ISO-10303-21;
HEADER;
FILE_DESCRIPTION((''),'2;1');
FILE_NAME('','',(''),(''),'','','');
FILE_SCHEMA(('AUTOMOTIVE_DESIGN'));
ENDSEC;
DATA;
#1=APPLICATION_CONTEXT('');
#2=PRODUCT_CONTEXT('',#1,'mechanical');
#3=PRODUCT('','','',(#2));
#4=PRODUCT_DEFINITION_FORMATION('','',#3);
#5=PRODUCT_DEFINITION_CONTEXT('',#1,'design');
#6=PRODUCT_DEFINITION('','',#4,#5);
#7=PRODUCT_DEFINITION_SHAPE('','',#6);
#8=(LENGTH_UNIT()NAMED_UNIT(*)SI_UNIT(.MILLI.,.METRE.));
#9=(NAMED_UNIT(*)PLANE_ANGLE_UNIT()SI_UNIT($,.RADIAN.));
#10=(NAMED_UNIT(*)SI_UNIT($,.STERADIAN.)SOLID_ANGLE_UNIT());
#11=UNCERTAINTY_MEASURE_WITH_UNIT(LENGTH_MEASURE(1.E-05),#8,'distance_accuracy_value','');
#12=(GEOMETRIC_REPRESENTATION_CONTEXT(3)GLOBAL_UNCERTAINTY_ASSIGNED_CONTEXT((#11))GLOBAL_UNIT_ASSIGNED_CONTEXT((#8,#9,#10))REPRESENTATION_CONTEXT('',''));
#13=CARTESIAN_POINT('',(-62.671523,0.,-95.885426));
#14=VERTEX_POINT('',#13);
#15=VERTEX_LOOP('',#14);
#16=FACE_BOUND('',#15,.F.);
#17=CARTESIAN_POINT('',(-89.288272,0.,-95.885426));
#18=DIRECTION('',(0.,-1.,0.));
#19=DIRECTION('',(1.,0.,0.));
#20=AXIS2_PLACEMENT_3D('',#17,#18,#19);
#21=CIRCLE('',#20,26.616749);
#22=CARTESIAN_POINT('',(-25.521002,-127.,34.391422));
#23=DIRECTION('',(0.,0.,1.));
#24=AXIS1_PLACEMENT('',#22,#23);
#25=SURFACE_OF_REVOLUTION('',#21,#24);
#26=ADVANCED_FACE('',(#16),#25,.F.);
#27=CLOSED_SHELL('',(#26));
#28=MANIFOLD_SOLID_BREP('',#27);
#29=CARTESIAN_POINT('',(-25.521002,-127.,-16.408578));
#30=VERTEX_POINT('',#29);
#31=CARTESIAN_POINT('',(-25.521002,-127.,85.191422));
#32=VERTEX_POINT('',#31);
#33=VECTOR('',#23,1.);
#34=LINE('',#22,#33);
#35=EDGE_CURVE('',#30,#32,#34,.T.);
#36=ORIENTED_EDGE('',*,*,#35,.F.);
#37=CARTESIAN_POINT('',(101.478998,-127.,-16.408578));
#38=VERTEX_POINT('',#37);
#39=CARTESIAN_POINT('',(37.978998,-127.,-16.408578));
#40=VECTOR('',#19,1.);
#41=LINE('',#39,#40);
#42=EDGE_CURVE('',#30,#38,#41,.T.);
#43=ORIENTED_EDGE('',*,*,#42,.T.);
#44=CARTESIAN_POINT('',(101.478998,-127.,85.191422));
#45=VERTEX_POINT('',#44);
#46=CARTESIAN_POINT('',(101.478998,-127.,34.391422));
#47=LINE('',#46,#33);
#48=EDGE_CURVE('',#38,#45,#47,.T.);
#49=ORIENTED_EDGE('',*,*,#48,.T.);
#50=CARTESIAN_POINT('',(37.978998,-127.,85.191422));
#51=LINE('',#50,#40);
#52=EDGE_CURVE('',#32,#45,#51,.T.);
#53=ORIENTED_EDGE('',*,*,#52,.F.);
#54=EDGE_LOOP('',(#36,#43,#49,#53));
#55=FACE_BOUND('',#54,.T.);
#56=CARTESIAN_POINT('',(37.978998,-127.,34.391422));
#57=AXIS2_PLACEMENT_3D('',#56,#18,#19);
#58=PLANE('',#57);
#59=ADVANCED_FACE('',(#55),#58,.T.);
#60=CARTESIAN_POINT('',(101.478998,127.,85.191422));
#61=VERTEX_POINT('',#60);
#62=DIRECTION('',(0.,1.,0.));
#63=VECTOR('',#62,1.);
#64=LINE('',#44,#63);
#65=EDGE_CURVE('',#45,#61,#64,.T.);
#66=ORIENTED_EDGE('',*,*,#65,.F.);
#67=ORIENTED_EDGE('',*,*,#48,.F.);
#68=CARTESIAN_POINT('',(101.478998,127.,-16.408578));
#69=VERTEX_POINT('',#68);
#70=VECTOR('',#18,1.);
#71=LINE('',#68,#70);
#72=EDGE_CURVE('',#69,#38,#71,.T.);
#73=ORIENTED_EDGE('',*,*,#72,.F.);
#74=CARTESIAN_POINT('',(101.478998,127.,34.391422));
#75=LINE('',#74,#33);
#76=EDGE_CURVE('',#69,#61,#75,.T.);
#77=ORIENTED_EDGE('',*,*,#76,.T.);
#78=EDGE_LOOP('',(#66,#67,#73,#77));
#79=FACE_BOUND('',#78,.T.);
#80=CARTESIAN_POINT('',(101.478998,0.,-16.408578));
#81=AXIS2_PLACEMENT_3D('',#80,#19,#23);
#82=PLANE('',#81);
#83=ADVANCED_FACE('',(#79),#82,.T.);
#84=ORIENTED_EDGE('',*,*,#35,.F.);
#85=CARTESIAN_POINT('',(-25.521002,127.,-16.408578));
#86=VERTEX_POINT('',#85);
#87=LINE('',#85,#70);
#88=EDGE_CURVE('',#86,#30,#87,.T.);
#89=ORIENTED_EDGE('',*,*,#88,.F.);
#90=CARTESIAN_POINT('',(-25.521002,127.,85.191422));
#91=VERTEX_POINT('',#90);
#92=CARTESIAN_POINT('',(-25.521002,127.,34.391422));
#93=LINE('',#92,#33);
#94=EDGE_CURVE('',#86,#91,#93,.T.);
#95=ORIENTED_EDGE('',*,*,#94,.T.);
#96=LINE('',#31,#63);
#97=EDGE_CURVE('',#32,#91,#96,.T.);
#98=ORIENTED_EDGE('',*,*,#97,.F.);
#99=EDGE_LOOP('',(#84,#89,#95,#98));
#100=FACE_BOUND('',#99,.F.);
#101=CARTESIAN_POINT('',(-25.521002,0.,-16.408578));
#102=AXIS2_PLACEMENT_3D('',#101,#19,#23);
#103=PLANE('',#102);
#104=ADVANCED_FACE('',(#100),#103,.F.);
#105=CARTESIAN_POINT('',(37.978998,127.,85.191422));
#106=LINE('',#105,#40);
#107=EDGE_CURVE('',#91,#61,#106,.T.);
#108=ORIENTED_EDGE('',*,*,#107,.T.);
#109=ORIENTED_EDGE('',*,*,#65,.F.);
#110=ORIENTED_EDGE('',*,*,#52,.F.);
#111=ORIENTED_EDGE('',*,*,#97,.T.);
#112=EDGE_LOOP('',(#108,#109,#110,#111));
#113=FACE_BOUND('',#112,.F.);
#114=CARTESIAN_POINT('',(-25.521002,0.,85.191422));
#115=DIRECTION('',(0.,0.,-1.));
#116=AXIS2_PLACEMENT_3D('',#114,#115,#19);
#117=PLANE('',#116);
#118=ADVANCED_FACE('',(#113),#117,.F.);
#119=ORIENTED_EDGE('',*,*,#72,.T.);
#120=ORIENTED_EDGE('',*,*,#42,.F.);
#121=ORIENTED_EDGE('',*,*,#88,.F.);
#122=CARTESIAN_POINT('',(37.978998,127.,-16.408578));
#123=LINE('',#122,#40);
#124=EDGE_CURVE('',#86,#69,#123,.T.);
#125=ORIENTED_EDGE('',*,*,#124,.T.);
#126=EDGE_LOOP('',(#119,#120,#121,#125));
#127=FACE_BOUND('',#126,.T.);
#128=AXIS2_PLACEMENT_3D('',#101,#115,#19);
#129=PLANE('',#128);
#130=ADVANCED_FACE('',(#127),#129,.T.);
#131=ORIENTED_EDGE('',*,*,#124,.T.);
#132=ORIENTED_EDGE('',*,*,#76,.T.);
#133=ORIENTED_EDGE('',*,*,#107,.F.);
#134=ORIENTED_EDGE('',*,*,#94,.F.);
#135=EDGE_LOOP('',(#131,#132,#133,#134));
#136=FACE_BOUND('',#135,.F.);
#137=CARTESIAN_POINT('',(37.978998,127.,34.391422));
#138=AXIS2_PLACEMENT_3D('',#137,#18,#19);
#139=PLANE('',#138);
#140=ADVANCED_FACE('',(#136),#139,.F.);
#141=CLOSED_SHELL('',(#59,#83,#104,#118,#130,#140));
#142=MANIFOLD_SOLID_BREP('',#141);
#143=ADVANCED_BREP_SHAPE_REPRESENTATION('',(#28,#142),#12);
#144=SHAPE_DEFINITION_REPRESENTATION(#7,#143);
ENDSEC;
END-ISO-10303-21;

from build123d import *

# Parameters (mm, degrees)
F0_W     = 127
F0_H     = 101.6
F1_DEPTH = 127
F2_R     = 26.6167492578


with BuildPart() as f1:
    # F0 (on Front) → F1 (new body, symmetric)
    with BuildSketch(Plane.XZ):
        with Locations((37.9789983854, 34.3914222795)):
            Rectangle(F0_W, F0_H)
    extrude(amount=F1_DEPTH, both=True)


with BuildPart() as f3:
    # F2 (on Front) → F3 (revolve)
    with BuildSketch(Plane.XZ):
        with Locations((-89.2882719636, -95.885425806)):
            Circle(F2_R)
    revolve(axis=Axis((-25.5210016146, -127, 34.3914222795), (0, 0, 1)))


solid = Compound([f1.part, f3.part])
